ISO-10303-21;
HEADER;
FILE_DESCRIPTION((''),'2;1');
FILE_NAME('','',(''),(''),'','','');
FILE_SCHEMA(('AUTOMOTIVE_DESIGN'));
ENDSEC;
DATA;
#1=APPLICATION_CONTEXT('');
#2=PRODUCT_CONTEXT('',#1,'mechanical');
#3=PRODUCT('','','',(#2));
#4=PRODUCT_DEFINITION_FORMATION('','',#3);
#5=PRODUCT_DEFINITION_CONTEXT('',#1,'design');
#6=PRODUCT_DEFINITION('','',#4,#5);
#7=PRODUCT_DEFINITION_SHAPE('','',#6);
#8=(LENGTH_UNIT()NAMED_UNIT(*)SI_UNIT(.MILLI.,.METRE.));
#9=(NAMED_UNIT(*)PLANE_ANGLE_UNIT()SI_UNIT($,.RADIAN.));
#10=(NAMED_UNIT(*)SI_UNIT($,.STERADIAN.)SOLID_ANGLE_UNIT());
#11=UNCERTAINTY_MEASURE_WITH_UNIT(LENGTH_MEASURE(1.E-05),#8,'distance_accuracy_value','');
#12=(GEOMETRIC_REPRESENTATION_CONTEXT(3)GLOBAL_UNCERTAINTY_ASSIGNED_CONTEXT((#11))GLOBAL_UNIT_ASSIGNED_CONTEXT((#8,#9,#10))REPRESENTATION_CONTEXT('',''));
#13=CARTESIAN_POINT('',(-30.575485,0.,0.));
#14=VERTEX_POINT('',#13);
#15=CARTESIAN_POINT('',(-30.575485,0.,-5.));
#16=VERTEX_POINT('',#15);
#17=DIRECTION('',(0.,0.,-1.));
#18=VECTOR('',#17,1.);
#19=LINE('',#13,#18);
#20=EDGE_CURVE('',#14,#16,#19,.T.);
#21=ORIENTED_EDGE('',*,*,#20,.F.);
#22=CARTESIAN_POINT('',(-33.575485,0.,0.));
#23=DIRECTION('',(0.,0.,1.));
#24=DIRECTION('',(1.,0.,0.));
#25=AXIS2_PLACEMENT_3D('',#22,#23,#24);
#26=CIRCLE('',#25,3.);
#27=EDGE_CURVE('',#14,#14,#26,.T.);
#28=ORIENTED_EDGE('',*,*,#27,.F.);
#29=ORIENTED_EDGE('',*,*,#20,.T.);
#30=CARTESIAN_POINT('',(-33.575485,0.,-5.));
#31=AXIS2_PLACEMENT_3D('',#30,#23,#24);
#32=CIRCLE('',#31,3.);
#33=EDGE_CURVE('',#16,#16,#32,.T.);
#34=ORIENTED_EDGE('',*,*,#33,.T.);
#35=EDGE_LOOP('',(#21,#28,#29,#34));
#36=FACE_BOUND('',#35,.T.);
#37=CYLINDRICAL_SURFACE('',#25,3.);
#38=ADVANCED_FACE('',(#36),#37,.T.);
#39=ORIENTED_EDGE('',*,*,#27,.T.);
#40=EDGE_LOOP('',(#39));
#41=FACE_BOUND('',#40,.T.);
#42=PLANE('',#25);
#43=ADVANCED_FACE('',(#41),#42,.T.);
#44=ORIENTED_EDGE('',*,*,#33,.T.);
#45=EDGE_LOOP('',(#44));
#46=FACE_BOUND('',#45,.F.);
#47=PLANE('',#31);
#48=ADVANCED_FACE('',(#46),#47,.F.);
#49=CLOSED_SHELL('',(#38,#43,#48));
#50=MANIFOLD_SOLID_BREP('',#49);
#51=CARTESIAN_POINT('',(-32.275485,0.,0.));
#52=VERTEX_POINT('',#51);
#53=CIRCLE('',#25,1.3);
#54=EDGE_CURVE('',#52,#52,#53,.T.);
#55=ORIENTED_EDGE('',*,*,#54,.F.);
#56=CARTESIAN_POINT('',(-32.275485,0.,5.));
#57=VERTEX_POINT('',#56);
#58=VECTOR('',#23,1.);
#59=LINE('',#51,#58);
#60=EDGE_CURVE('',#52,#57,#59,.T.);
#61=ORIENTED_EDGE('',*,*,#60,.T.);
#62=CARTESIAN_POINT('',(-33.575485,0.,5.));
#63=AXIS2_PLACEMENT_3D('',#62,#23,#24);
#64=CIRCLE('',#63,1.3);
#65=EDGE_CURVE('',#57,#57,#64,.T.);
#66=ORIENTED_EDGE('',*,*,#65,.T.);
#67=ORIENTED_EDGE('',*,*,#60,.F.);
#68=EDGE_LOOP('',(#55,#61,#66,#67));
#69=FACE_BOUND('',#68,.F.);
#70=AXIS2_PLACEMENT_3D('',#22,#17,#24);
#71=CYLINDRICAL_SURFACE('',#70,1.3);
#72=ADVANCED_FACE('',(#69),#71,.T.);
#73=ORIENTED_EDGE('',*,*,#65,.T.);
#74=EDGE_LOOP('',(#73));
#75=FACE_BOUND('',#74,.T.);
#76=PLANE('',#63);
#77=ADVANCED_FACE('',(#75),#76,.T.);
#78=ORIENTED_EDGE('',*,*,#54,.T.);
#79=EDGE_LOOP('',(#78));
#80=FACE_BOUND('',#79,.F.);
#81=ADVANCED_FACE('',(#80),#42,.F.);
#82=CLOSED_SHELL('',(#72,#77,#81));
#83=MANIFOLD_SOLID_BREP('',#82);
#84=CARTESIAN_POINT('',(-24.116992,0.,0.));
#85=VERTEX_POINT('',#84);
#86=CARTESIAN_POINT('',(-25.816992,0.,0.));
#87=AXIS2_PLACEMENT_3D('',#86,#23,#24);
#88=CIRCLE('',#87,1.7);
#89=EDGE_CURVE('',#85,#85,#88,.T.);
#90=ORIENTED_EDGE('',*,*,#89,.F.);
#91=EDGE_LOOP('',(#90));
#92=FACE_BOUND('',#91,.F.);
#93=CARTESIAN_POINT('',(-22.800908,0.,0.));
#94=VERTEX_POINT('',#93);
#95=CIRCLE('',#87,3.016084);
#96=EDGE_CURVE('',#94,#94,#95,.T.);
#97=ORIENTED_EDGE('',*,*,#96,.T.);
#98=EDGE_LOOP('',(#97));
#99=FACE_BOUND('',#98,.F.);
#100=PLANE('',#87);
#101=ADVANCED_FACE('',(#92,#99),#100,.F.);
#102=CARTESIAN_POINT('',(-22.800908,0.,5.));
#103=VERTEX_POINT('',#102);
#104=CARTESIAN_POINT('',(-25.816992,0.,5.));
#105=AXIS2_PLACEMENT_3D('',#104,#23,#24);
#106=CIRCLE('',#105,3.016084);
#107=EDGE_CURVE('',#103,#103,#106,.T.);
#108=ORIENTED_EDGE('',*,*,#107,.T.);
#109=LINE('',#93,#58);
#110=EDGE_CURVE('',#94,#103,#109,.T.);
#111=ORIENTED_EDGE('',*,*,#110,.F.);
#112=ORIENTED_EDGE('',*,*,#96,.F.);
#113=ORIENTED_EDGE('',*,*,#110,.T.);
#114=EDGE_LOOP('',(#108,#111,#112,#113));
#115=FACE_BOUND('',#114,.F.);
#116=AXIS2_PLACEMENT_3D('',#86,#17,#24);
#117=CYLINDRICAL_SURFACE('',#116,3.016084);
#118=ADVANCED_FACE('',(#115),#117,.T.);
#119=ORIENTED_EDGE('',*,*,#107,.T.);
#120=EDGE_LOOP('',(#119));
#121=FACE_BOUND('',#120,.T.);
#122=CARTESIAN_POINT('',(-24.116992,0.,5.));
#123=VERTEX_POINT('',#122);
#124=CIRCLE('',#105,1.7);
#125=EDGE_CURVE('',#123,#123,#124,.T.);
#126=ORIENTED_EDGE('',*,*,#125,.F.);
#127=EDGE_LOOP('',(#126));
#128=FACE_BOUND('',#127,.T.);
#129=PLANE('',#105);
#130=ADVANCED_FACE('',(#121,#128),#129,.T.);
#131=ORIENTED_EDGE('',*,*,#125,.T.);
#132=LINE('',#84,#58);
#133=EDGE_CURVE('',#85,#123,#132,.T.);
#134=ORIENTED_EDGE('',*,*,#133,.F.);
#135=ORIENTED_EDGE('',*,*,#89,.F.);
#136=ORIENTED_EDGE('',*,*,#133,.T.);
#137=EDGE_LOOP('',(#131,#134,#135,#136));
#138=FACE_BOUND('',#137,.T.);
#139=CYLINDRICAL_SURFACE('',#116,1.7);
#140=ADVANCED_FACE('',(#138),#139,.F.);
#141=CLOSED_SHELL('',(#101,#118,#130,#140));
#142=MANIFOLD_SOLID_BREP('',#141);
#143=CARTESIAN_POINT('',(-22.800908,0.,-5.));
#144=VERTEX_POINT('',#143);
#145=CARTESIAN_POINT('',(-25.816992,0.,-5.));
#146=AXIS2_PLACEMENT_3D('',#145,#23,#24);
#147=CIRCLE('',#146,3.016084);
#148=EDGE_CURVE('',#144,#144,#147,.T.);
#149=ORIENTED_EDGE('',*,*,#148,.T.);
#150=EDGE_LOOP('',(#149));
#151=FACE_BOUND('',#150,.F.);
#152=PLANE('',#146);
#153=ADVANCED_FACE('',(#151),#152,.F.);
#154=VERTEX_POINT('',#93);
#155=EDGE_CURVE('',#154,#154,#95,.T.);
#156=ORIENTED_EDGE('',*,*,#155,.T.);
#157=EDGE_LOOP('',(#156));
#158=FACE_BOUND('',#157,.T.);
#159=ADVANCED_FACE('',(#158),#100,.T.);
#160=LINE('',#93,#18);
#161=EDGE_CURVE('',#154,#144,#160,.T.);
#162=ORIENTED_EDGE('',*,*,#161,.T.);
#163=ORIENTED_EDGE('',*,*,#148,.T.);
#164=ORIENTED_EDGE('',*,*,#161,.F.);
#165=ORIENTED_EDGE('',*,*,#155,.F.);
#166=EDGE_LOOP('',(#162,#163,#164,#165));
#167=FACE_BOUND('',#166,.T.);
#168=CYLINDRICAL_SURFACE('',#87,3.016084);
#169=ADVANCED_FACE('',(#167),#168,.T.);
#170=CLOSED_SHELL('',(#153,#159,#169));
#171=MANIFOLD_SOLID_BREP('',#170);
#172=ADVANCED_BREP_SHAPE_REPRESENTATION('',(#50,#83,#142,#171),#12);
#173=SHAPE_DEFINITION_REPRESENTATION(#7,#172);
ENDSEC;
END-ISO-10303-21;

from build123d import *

# Parameters (mm, degrees)
F0_R     = 3
F0_R_2   = 1.3
F1_DEPTH = 5
F0_R_3   = 3.0160842828
F0_R_4   = 1.7
F2_DEPTH = 5


with BuildPart() as f1:
    # F0 (on Top) → F1 (new body)
    with BuildSketch(Plane.XY):
        with Locations((-33.5754850469, 0)):
            Circle(F0_R)
        with Locations((-33.5754850469, 0)):
            Circle(F0_R_2, mode=Mode.SUBTRACT)
        with Locations((-33.5754850469, 0)):
            Circle(F0_R_2)
    extrude(amount=-F1_DEPTH)


with BuildPart() as f1b:
    # F0 (on Top) → F1, piece 2 (new body)
    with BuildSketch(Plane.XY):
        with Locations((-25.8169919252, 0)):
            Circle(F0_R_3)
        with Locations((-25.8169919252, 0)):
            Circle(F0_R_4, mode=Mode.SUBTRACT)
        with Locations((-25.8169919252, 0)):
            Circle(F0_R_4)
    extrude(amount=-F1_DEPTH)


with BuildPart() as f2:
    # F0 (on Top) → F2 (new body)
    with BuildSketch(Plane.XY):
        with Locations((-25.8169919252, 0)):
            Circle(F0_R_3)
        with Locations((-25.8169919252, 0)):
            Circle(F0_R_4, mode=Mode.SUBTRACT)
    extrude(amount=F2_DEPTH)


with BuildPart() as f2b:
    # F0 (on Top) → F2, piece 2 (new body)
    with BuildSketch(Plane.XY):
        with Locations((-33.5754850469, 0)):
            Circle(F0_R_2)
    extrude(amount=F2_DEPTH)


solid = Compound([f1.part, f1b.part, f2.part, f2b.part])
